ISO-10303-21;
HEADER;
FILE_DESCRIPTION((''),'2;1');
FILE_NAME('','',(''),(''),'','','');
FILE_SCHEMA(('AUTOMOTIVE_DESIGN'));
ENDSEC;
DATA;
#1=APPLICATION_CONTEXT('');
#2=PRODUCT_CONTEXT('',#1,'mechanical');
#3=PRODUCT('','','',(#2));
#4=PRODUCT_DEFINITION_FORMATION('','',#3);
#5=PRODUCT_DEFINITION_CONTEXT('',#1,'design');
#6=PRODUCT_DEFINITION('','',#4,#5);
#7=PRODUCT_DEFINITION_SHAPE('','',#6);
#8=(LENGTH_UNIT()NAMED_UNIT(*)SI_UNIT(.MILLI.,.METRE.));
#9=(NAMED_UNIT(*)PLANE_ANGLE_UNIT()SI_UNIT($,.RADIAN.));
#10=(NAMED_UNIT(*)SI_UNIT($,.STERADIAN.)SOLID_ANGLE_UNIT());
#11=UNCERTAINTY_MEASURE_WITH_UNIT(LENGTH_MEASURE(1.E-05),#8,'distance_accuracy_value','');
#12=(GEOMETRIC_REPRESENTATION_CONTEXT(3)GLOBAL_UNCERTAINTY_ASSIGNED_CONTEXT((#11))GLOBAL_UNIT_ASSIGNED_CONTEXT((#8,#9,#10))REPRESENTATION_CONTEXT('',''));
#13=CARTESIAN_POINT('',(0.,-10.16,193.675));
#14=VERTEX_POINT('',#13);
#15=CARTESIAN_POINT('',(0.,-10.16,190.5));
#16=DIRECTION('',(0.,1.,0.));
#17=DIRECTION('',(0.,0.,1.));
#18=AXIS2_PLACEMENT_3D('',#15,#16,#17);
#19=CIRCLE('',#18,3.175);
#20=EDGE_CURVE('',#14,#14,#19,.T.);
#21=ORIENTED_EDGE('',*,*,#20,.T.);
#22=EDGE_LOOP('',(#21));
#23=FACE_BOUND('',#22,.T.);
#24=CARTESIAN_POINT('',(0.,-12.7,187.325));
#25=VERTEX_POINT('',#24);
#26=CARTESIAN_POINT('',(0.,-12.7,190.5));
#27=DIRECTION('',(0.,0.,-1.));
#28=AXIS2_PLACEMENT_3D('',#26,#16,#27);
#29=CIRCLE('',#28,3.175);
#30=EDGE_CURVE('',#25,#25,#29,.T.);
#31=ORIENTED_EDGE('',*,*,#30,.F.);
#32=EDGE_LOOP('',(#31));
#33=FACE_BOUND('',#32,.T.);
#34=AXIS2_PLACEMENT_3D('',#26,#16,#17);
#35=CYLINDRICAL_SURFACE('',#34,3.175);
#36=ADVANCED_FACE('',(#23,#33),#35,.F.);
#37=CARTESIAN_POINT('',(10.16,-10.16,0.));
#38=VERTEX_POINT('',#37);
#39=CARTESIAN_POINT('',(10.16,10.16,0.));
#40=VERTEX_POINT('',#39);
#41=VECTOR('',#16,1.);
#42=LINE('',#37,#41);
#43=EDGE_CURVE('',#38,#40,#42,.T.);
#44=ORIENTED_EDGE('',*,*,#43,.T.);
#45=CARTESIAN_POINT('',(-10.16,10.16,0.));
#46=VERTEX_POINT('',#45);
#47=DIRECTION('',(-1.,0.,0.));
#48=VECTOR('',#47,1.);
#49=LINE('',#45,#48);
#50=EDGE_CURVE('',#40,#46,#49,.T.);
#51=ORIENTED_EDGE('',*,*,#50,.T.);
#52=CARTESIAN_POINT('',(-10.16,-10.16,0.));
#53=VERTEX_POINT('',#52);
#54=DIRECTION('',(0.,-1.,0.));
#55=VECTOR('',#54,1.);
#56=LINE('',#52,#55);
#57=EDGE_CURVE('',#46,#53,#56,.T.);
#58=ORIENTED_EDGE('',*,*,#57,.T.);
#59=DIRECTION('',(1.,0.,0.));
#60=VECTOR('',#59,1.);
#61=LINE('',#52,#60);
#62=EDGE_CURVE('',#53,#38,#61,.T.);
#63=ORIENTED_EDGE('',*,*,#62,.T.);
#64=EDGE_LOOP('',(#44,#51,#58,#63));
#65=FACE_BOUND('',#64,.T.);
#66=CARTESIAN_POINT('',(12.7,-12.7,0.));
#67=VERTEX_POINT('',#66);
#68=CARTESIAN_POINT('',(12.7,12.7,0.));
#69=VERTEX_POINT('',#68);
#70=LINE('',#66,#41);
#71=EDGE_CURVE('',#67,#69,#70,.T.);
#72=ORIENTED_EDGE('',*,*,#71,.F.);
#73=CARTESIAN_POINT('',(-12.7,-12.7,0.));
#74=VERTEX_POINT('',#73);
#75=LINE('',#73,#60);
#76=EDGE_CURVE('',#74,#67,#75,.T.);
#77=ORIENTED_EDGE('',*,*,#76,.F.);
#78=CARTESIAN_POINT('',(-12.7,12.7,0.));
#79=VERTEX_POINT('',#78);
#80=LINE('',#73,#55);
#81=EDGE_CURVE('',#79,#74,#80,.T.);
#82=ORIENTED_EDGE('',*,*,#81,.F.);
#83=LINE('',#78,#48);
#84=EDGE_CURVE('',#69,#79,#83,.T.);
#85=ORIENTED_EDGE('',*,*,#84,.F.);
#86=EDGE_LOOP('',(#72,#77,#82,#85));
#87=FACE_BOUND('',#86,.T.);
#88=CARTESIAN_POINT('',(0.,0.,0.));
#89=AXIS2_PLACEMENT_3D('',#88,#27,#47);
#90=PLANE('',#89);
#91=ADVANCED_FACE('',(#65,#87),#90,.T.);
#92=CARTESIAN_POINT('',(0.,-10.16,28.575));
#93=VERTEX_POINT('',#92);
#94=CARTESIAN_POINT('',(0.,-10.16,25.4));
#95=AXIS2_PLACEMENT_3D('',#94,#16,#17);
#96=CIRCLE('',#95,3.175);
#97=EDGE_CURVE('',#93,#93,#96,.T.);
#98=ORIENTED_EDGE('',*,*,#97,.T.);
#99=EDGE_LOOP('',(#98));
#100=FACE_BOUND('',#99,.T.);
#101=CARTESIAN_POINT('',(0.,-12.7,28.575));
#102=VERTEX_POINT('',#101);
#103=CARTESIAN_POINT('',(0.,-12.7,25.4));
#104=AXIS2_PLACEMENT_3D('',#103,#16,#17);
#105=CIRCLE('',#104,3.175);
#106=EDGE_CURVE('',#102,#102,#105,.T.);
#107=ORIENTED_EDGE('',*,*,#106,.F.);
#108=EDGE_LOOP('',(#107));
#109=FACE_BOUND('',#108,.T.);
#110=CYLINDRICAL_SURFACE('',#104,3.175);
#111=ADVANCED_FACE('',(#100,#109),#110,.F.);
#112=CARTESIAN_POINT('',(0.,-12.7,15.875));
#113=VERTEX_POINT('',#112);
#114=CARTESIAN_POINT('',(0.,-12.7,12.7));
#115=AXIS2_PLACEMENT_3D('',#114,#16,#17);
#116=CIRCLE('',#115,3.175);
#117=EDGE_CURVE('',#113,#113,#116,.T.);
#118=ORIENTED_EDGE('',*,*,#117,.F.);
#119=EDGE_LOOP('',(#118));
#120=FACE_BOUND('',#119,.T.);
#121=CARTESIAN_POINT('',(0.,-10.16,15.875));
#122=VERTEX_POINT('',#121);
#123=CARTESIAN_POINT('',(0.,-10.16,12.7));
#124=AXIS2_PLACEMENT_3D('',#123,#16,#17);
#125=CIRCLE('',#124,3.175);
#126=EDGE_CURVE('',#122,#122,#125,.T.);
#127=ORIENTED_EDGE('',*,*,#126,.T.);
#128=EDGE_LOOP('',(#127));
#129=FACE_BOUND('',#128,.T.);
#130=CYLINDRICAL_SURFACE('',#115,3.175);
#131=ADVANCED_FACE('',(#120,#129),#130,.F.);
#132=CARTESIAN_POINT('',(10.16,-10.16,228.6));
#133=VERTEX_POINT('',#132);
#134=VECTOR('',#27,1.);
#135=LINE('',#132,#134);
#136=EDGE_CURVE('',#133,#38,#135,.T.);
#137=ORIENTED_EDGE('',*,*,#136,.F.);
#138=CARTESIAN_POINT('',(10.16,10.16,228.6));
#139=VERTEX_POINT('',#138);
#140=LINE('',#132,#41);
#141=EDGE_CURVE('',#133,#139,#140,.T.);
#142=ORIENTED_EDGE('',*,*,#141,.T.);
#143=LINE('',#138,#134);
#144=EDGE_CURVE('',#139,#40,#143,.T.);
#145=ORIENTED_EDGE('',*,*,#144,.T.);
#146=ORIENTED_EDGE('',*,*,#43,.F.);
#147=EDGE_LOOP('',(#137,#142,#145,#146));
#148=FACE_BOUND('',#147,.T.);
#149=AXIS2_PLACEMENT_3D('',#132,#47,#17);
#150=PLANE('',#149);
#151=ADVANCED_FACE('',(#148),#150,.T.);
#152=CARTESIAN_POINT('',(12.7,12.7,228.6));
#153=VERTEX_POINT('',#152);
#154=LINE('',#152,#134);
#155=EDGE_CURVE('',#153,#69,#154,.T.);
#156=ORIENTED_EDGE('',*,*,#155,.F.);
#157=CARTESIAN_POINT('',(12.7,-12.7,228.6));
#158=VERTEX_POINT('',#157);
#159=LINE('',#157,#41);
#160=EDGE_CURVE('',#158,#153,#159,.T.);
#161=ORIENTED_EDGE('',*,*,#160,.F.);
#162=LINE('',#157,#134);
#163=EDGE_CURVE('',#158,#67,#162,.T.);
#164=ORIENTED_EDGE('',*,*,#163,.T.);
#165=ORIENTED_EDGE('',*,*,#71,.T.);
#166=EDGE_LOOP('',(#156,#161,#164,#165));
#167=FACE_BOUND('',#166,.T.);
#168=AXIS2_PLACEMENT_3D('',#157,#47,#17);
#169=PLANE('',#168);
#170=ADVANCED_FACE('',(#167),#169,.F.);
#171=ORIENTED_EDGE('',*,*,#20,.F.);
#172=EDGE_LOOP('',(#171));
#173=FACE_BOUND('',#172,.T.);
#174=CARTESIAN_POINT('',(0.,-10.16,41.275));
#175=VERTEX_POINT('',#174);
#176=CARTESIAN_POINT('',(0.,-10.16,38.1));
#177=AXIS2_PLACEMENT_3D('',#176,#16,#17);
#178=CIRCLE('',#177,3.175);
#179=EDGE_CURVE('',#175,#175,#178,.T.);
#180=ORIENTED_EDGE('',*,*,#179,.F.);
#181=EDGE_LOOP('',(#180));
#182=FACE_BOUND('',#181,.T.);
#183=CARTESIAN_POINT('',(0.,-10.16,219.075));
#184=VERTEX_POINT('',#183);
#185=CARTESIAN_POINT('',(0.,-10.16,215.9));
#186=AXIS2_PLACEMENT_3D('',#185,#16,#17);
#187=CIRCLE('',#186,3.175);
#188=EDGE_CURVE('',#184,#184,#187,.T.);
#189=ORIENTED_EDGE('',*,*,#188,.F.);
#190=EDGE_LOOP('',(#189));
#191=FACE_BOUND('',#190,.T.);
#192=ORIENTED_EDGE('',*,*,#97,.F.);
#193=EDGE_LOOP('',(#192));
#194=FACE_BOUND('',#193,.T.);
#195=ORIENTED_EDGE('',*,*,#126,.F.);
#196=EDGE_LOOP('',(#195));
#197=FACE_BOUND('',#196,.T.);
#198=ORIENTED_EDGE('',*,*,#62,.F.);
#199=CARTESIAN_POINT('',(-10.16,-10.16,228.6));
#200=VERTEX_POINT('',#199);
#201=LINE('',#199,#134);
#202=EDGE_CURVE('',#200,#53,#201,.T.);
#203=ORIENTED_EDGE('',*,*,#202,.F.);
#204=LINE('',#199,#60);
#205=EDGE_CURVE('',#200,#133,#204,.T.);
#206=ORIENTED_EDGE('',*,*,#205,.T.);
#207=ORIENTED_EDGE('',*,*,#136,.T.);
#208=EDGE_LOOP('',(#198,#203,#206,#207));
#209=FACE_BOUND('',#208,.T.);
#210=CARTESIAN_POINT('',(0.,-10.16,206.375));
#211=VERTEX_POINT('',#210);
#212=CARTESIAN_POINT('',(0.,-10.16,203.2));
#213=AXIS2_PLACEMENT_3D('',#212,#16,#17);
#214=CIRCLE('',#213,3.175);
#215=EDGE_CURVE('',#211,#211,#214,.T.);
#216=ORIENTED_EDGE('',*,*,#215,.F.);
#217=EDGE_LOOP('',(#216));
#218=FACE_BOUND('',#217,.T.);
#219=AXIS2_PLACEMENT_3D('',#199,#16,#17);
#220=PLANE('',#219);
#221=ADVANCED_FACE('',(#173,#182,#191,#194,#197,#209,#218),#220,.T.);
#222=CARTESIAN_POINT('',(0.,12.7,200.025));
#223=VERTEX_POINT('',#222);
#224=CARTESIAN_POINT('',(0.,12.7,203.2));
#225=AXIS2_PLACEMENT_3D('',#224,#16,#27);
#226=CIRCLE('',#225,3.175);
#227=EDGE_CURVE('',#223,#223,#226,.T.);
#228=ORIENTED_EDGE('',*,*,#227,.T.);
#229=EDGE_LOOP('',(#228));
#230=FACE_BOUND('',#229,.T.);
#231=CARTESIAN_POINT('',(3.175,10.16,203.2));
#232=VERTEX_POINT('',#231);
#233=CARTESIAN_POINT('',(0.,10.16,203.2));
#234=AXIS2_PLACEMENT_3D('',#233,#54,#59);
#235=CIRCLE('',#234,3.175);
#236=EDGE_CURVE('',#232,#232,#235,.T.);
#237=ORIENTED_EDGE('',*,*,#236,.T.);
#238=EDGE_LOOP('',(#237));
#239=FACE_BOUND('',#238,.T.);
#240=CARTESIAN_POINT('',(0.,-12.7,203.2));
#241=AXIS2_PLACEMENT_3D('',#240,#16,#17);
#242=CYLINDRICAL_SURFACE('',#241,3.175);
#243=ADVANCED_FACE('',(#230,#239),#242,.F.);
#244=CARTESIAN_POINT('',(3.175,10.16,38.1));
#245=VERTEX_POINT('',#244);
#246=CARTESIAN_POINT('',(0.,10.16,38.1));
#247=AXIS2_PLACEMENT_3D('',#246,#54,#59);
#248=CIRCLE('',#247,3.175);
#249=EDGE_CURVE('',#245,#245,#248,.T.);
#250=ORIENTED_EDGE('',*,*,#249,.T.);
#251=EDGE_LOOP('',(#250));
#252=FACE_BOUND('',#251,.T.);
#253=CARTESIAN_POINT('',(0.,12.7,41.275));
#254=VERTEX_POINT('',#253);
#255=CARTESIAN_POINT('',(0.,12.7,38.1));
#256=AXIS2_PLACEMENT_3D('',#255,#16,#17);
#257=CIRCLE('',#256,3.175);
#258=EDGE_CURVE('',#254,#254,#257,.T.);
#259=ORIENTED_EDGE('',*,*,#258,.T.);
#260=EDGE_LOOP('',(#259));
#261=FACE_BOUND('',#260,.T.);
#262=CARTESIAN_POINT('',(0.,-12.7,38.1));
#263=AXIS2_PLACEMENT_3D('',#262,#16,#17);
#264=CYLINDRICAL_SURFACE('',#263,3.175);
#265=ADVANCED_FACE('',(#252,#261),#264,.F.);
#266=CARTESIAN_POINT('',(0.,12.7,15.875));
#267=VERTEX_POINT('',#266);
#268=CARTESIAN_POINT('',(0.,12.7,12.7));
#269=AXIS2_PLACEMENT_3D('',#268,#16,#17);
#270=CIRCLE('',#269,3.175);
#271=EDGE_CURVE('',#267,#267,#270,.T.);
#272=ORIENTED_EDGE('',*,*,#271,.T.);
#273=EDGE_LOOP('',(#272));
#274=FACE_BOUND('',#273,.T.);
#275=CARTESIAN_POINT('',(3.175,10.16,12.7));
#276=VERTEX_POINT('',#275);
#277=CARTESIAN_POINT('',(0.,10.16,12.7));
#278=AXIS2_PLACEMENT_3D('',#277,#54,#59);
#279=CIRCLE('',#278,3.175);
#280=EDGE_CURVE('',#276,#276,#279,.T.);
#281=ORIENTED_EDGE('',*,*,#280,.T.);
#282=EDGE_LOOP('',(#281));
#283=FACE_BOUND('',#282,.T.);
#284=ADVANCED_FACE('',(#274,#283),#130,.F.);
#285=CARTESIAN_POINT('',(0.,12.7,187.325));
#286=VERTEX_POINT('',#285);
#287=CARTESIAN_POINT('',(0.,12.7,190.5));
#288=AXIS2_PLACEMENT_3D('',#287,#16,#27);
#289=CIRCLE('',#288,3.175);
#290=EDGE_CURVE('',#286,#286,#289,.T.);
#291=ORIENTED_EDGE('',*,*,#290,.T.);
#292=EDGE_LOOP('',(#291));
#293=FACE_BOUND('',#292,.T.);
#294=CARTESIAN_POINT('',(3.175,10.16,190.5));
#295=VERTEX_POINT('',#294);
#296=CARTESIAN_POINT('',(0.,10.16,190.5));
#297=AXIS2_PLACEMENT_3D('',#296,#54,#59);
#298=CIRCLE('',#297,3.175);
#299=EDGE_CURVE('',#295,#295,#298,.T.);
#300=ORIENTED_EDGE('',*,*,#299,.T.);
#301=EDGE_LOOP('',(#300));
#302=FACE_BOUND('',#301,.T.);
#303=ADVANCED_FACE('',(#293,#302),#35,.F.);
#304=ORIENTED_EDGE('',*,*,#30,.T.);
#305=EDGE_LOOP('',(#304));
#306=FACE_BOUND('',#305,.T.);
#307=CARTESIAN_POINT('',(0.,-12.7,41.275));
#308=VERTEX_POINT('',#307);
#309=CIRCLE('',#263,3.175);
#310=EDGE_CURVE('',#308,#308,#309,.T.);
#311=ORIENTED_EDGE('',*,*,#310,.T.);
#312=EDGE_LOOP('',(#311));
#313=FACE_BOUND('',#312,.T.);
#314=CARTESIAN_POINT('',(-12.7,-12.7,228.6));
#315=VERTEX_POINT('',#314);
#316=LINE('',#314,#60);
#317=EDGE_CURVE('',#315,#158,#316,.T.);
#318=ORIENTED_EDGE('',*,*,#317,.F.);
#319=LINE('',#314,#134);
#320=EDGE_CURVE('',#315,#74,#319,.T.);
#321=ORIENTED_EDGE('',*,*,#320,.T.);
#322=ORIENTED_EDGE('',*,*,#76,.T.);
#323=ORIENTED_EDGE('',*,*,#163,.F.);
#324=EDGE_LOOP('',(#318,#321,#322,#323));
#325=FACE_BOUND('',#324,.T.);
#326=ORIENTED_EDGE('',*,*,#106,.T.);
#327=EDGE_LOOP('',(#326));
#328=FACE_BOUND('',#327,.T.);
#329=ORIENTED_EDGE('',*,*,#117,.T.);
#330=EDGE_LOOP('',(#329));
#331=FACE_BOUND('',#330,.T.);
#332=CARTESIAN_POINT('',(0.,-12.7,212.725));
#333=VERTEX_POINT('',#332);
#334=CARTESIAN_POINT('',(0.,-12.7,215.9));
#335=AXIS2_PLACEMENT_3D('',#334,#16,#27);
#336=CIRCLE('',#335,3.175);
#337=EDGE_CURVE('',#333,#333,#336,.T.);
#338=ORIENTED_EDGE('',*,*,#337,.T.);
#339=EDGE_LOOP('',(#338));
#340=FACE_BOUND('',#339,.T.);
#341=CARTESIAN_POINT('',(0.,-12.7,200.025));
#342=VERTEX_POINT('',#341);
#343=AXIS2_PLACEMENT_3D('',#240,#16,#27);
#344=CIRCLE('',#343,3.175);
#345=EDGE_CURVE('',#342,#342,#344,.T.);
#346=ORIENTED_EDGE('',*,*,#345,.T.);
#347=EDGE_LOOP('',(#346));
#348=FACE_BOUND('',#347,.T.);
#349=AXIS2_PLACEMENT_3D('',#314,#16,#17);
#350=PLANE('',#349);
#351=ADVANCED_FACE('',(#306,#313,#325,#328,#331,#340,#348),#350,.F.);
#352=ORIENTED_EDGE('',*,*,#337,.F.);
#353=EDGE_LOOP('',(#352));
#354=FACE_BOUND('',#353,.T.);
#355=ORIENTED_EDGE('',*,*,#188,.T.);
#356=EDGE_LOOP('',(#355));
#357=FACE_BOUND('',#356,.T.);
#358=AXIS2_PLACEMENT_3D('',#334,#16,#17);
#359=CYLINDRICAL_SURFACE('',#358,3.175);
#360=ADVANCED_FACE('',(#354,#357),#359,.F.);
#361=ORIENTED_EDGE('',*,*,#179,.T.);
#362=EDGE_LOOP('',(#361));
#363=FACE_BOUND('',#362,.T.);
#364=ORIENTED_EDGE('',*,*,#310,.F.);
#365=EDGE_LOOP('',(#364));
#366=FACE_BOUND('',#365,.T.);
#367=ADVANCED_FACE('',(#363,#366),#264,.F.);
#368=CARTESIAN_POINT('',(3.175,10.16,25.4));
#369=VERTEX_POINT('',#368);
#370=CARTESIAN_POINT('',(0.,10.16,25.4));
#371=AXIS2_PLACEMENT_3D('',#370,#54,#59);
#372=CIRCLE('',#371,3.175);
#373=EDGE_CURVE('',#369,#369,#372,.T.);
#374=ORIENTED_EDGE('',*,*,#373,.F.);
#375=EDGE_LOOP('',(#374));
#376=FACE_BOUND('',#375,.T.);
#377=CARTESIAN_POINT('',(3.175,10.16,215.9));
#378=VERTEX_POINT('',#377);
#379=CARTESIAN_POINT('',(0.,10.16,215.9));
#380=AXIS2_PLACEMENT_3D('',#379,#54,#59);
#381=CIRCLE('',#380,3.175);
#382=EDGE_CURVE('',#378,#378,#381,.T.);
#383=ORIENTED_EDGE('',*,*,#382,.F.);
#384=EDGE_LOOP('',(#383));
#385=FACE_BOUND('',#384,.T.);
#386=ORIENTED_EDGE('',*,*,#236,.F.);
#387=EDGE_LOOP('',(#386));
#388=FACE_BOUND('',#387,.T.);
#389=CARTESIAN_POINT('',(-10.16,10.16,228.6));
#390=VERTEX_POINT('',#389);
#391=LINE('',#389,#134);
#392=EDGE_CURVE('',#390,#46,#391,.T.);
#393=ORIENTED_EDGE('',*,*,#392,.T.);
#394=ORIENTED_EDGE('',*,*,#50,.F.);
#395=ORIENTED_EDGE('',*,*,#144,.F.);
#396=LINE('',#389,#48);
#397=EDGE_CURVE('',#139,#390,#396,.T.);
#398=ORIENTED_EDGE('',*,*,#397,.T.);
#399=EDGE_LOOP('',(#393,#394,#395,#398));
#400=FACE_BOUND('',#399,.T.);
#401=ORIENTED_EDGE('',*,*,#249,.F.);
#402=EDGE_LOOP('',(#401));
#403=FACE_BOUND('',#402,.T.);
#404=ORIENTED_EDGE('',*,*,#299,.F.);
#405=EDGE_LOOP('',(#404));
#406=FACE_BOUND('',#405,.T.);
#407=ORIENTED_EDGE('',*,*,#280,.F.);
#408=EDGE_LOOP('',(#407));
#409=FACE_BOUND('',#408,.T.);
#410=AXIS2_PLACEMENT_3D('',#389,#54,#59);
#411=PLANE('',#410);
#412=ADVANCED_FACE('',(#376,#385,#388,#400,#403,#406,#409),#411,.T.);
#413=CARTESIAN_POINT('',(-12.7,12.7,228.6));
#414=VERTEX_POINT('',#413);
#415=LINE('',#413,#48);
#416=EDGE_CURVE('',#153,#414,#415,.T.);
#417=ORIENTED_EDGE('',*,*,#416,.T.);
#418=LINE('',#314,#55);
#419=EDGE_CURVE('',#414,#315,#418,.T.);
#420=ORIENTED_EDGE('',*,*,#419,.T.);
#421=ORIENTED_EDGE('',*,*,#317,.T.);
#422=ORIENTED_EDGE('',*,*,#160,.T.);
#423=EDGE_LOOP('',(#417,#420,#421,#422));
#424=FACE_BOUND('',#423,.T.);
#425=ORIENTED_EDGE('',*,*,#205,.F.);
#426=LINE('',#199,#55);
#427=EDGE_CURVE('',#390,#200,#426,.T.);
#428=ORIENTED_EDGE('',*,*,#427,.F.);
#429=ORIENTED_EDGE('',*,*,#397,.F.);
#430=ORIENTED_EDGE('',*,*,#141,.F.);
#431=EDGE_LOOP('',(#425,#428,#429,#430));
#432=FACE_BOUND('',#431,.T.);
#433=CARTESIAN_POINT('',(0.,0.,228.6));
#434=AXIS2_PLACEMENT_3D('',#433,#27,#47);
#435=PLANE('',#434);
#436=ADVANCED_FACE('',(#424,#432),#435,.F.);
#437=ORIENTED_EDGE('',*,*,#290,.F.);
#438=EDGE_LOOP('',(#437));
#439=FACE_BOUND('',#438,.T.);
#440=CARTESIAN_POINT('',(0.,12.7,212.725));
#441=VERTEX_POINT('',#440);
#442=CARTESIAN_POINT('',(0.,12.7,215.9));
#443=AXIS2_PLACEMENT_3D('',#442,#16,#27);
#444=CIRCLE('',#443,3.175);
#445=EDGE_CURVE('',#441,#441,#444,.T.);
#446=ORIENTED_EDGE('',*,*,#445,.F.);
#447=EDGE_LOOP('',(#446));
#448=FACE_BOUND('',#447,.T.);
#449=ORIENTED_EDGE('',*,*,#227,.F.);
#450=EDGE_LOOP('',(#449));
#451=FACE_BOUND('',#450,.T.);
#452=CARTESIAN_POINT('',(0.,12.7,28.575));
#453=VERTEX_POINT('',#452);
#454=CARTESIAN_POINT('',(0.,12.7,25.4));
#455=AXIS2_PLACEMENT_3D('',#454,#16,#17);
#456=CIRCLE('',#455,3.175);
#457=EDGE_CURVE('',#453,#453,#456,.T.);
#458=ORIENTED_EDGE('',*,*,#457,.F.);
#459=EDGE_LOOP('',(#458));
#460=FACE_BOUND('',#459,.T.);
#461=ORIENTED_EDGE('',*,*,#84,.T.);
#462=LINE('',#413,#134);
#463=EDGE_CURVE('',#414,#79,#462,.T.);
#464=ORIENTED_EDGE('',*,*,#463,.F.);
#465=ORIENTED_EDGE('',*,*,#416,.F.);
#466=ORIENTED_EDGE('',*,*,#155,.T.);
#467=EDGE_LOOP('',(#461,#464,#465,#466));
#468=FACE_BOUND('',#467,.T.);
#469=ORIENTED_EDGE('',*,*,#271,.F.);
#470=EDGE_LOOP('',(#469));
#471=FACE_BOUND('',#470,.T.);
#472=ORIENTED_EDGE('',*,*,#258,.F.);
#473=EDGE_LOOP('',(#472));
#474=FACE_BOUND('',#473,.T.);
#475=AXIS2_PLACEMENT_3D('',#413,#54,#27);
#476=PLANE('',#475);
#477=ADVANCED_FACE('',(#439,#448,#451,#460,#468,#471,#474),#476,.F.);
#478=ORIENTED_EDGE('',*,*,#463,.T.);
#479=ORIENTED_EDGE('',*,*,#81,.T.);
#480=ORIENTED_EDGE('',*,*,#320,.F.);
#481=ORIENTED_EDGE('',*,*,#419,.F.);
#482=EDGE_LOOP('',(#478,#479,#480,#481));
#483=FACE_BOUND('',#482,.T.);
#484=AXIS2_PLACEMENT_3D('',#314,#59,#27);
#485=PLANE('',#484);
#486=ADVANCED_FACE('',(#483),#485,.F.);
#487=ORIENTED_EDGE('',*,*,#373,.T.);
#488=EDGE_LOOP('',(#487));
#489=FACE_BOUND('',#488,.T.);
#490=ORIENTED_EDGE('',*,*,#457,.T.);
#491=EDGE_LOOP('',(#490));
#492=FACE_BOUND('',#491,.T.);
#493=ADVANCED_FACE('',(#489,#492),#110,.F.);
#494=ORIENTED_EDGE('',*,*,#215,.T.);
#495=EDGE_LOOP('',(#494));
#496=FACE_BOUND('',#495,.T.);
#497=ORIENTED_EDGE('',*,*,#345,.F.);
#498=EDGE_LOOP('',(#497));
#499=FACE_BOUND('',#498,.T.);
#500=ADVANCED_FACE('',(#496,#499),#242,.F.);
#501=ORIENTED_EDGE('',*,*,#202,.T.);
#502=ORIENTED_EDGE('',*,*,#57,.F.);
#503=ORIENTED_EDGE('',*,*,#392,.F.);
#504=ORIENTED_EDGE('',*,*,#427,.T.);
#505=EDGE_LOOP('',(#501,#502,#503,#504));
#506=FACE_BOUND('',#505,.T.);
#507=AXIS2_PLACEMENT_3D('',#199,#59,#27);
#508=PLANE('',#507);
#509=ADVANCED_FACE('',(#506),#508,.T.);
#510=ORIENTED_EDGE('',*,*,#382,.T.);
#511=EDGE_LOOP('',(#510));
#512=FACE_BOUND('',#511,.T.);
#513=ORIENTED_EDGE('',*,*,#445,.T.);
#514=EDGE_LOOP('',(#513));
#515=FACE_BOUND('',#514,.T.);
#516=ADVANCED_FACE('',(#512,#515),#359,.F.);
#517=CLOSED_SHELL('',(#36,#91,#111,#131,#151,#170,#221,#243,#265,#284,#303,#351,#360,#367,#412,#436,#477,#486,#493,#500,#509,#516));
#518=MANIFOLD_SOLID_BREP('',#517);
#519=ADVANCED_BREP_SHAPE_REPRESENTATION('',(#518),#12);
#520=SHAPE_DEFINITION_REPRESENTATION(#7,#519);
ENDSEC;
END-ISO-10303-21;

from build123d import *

# Parameters (mm, degrees)
SKETCH1_W           = 25.4
SKETCH1_H           = 25.4
SKETCH1_W_2         = 20.32
SKETCH1_H_2         = 20.32
BOSS_EXTRUDE2_DEPTH = 228.6
SKETCH3_R           = 3.175
CUT_EXTRUDE2_DEPTH  = 231.35713577


with BuildPart() as part:
    # Sketch1 → Boss-Extrude2 (new body)
    with BuildSketch(Plane.XY):
        Rectangle(SKETCH1_W, SKETCH1_H)
        Rectangle(SKETCH1_W_2, SKETCH1_H_2, mode=Mode.SUBTRACT)
    extrude(amount=BOSS_EXTRUDE2_DEPTH)

    # Sketch3 → Cut-Extrude2 (cut, through all)
    with BuildSketch(Plane(origin=(0, 12.7, 0), x_dir=(1, 0, 0), z_dir=(0, 1, 0))):
        with Locations(Location((0, -12.7, 0), (0, 0, 270))):
            Circle(SKETCH3_R)
        with Locations(Location((0, -25.4, 0), (0, 0, 270))):
            Circle(SKETCH3_R)
        with Locations(Location((0, -38.1, 0), (0, 0, 270))):
            Circle(SKETCH3_R)
        with Locations((0, -190.5)):
            Circle(SKETCH3_R)
        with Locations((0, -203.2)):
            Circle(SKETCH3_R)
        with Locations((0, -215.9)):
            Circle(SKETCH3_R)
    extrude(amount=-CUT_EXTRUDE2_DEPTH, mode=Mode.SUBTRACT)


solid = part.part
